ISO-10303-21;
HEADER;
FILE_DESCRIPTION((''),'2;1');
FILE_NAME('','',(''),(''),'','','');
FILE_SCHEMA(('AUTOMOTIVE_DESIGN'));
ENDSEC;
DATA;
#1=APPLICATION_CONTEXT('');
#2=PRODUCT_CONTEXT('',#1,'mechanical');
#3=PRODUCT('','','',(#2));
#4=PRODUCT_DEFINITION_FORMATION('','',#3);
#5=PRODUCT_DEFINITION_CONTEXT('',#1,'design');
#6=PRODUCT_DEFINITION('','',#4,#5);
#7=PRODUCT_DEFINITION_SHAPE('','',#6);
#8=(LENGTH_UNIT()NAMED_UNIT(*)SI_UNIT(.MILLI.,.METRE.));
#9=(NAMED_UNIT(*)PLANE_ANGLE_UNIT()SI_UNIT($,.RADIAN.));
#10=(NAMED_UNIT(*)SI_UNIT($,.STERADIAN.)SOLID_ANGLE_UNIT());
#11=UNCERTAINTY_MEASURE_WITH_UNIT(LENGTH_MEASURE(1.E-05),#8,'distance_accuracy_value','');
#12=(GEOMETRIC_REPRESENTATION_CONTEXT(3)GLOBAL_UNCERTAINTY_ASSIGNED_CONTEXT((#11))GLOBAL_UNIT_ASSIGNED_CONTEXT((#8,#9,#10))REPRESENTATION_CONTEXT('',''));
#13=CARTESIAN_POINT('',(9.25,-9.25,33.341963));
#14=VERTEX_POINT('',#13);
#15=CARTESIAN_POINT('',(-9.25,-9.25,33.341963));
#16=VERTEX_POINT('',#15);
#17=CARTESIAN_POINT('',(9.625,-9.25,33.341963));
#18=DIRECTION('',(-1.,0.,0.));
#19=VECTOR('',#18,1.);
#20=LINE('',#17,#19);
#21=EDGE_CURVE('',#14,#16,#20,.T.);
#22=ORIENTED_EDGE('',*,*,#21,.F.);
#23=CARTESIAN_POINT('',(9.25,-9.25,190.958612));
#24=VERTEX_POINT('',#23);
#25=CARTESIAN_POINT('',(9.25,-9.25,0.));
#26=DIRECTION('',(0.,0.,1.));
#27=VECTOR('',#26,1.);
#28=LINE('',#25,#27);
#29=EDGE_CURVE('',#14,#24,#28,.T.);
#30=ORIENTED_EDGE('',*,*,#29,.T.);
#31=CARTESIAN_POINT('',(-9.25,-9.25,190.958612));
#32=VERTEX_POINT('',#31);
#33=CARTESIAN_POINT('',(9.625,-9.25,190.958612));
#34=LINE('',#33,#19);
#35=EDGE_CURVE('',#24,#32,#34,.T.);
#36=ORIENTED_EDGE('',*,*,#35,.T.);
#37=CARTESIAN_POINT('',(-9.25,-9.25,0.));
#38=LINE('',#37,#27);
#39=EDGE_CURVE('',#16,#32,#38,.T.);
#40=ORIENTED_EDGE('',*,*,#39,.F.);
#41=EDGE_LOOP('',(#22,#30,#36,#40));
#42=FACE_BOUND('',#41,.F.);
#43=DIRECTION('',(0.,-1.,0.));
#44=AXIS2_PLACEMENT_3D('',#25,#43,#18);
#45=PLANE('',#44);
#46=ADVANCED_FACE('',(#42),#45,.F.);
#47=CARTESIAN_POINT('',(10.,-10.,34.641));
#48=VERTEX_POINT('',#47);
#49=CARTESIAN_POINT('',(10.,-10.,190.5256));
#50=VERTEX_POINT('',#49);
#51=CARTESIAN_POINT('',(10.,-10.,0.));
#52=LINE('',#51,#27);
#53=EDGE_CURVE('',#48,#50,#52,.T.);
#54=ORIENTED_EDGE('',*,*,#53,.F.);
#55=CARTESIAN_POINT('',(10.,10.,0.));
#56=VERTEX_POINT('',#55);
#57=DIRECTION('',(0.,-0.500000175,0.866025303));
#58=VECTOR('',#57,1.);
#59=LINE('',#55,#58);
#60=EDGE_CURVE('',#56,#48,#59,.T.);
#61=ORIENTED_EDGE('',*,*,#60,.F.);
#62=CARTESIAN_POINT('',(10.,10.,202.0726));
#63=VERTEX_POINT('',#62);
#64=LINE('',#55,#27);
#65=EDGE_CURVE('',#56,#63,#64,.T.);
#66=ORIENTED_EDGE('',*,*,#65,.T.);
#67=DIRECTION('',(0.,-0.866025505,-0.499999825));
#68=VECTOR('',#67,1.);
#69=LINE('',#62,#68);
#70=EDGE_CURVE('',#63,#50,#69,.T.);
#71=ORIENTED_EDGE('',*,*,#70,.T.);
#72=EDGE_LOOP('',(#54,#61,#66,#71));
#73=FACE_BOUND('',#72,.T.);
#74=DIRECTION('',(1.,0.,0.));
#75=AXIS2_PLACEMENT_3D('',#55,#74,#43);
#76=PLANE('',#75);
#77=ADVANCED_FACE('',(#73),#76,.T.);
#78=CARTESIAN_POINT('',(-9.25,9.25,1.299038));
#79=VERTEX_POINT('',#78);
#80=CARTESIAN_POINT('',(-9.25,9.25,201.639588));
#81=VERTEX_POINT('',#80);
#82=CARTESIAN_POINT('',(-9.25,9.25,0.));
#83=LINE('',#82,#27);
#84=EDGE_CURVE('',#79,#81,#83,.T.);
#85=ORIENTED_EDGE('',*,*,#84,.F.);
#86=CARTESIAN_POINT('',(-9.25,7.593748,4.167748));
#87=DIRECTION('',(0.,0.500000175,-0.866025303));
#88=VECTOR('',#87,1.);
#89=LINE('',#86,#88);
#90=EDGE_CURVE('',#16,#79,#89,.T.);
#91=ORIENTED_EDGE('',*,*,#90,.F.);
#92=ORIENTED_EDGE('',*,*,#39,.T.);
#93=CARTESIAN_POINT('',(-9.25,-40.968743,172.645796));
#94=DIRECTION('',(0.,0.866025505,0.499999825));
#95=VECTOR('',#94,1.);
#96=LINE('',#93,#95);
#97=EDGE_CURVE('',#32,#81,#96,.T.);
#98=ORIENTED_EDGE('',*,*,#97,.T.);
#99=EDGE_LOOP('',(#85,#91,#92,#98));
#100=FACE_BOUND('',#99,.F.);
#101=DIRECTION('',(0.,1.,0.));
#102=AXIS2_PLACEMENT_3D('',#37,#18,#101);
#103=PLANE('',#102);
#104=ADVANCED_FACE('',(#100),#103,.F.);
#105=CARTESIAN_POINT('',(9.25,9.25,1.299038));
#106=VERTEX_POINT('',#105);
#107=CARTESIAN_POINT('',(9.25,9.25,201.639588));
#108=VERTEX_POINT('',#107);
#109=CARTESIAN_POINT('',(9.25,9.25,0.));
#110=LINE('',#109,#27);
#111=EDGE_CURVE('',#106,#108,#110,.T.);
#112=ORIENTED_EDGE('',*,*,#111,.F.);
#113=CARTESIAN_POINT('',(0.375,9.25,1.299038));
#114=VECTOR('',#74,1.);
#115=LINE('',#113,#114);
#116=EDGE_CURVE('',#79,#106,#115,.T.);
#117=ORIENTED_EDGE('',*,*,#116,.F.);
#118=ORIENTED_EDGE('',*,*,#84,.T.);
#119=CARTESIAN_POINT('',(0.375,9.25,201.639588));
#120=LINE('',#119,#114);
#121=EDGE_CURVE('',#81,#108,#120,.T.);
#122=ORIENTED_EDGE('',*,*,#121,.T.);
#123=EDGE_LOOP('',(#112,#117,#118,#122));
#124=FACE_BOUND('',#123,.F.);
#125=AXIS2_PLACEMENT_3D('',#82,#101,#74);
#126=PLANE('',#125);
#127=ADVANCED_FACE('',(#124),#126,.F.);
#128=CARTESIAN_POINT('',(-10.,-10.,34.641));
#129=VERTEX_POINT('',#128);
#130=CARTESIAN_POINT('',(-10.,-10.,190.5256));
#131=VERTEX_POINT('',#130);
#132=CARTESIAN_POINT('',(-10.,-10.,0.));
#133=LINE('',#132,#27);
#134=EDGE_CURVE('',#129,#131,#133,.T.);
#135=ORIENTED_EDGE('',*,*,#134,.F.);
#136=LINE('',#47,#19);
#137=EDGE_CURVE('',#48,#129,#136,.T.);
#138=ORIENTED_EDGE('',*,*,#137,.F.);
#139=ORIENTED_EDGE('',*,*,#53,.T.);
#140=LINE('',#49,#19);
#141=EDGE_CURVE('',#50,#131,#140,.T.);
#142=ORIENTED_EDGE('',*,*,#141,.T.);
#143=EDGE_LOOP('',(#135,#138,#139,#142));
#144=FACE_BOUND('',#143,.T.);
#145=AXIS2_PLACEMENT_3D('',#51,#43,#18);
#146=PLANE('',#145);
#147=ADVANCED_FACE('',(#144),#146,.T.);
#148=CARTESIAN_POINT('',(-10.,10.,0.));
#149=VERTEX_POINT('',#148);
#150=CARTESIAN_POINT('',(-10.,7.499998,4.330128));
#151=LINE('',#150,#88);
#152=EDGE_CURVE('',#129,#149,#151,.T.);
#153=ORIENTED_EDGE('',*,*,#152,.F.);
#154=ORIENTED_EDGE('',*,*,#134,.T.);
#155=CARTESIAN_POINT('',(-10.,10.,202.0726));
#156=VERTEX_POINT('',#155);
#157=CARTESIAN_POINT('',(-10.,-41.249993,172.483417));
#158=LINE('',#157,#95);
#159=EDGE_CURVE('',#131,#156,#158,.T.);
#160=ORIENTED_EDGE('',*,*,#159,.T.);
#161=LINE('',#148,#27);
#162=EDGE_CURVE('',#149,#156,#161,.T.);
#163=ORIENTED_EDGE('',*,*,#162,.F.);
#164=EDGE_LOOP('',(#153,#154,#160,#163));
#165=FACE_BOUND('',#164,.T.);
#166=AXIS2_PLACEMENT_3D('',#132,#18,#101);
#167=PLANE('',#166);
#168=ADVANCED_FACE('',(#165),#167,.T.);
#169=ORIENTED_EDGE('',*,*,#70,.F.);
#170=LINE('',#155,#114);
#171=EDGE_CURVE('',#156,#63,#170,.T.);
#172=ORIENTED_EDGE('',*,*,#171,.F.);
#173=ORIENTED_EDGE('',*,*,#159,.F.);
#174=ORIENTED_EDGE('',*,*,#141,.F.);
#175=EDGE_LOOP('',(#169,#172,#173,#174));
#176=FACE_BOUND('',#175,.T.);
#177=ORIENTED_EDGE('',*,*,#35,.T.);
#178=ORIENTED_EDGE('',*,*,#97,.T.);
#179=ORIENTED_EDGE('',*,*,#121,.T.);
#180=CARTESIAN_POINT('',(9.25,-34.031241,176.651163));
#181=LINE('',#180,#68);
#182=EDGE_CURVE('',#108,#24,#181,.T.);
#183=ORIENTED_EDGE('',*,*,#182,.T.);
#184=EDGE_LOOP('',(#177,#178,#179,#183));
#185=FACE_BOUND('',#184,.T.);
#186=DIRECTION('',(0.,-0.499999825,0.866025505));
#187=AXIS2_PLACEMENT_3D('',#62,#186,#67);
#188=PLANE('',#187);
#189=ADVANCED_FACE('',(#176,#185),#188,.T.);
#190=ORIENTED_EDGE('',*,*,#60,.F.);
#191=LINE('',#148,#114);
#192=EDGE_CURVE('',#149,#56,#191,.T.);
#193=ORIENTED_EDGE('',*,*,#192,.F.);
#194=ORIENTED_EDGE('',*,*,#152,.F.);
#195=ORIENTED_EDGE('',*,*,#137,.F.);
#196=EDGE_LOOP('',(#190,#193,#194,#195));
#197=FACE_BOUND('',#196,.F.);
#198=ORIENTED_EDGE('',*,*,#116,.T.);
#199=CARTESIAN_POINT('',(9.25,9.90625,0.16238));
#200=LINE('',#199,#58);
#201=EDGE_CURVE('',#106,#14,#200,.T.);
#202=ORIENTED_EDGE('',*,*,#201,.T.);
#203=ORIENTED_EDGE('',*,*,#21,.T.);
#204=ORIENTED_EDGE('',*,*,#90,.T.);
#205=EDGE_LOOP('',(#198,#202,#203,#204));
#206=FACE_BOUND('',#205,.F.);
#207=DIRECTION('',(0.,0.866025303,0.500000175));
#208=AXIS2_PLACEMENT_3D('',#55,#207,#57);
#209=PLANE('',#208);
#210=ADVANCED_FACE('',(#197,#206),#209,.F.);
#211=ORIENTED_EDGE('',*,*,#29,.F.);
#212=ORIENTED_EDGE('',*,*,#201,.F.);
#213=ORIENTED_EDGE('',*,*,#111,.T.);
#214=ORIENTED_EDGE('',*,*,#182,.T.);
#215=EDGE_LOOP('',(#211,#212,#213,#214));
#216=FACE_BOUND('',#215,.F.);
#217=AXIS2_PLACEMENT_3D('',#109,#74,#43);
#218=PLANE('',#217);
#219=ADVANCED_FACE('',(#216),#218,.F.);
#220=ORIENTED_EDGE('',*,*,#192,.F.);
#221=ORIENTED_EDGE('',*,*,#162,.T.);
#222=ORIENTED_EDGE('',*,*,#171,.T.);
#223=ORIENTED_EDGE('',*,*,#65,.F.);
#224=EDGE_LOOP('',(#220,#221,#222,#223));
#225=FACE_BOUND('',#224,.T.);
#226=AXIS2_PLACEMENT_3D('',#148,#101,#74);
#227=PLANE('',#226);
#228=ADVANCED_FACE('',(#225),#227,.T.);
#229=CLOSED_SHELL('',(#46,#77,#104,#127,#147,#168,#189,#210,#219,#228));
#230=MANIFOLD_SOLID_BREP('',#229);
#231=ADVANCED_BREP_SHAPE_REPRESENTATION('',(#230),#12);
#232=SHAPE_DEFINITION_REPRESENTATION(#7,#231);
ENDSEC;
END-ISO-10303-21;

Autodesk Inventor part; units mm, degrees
ref_plane "YZ Plane" through (0, 0, 0) normal (1, 0, 0) x (0, 1, 0)
ref_plane "XZ Plane" through (0, 0, 0) normal (0, 1, 0) x (-1, 0, 0)
ref_plane "XY Plane" through (0, 0, 0) normal (0, 0, 1) x (1, 0, 0)
sketch "Эскиз1" plane through (0, 0, 0) normal (0, 0, 1) x (1, 0, 0)
  line L0 (10, -10) -> (-10, -10)
  line L1 (-10, -10) -> (-10, 10)
  line L2 (-10, 10) -> (10, 10)
  line L3 (10, 10) -> (10, -10)
  line L4 (10, -10) -> (-10, 10) construction
  line L5 (-10, -10) -> (10, 10) construction
  line L6 (9.25, -9.25) -> (-9.25, -9.25)
  line L7 (-9.25, -9.25) -> (-9.25, 9.25)
  line L8 (-9.25, 9.25) -> (9.25, 9.25)
  line L9 (9.25, 9.25) -> (9.25, -9.25)
  line L10 (9.25, -9.25) -> (-9.25, 9.25) construction
  line L11 (-9.25, -9.25) -> (9.25, 9.25) construction
  point P0 (0, 0)
  dimension "d0" = 20
  dimension "d1" = 20
  dimension "d2" = 18.5
  dimension "d3" = 18.5
extrude "Выдавливание1" add sketch "Эскиз1" along normal blind 202.0726
sketch "Эскиз2" plane through (10, -10, 0) normal (1, 0, 0) x (0, 0, -1)
  line L0 (0, 0) -> (0, 20) projected
  line L1 (0, 20) -> (-34.641, 0)
  line L2 (0, 0) -> (-202.0726, 0) projected
  line L3 (0, 20) -> (40, 20) construction
  line L4 (-34.641, 0) -> (0, 0)
  line L5 (0, 0) -> (0, 20)
  point P0 (0, 10)
  dimension "d6" = 150
extrude "Выдавливание2" cut sketch "Эскиз2" against normal blind 178.9786
sketch "Эскиз3" plane through (10, -10, 202.0726) normal (1, 0, 0) x (0, 0, -1)
  line L0 (0, 20) -> (11.547, 0)
  line L1 (167.4316, 0) -> (0, 0) projected
  line L2 (0, 20) -> (23.094, 20) construction
  line L3 (11.547, 0) -> (0, 0)
  line L4 (0, 0) -> (0, 20) projected
  line L5 (0, 0) -> (0, 20)
  point P0 (202.0726, 10)
  dimension "d9" = 60
extrude "Выдавливание3" cut sketch "Эскиз3" against normal blind 202.0726
